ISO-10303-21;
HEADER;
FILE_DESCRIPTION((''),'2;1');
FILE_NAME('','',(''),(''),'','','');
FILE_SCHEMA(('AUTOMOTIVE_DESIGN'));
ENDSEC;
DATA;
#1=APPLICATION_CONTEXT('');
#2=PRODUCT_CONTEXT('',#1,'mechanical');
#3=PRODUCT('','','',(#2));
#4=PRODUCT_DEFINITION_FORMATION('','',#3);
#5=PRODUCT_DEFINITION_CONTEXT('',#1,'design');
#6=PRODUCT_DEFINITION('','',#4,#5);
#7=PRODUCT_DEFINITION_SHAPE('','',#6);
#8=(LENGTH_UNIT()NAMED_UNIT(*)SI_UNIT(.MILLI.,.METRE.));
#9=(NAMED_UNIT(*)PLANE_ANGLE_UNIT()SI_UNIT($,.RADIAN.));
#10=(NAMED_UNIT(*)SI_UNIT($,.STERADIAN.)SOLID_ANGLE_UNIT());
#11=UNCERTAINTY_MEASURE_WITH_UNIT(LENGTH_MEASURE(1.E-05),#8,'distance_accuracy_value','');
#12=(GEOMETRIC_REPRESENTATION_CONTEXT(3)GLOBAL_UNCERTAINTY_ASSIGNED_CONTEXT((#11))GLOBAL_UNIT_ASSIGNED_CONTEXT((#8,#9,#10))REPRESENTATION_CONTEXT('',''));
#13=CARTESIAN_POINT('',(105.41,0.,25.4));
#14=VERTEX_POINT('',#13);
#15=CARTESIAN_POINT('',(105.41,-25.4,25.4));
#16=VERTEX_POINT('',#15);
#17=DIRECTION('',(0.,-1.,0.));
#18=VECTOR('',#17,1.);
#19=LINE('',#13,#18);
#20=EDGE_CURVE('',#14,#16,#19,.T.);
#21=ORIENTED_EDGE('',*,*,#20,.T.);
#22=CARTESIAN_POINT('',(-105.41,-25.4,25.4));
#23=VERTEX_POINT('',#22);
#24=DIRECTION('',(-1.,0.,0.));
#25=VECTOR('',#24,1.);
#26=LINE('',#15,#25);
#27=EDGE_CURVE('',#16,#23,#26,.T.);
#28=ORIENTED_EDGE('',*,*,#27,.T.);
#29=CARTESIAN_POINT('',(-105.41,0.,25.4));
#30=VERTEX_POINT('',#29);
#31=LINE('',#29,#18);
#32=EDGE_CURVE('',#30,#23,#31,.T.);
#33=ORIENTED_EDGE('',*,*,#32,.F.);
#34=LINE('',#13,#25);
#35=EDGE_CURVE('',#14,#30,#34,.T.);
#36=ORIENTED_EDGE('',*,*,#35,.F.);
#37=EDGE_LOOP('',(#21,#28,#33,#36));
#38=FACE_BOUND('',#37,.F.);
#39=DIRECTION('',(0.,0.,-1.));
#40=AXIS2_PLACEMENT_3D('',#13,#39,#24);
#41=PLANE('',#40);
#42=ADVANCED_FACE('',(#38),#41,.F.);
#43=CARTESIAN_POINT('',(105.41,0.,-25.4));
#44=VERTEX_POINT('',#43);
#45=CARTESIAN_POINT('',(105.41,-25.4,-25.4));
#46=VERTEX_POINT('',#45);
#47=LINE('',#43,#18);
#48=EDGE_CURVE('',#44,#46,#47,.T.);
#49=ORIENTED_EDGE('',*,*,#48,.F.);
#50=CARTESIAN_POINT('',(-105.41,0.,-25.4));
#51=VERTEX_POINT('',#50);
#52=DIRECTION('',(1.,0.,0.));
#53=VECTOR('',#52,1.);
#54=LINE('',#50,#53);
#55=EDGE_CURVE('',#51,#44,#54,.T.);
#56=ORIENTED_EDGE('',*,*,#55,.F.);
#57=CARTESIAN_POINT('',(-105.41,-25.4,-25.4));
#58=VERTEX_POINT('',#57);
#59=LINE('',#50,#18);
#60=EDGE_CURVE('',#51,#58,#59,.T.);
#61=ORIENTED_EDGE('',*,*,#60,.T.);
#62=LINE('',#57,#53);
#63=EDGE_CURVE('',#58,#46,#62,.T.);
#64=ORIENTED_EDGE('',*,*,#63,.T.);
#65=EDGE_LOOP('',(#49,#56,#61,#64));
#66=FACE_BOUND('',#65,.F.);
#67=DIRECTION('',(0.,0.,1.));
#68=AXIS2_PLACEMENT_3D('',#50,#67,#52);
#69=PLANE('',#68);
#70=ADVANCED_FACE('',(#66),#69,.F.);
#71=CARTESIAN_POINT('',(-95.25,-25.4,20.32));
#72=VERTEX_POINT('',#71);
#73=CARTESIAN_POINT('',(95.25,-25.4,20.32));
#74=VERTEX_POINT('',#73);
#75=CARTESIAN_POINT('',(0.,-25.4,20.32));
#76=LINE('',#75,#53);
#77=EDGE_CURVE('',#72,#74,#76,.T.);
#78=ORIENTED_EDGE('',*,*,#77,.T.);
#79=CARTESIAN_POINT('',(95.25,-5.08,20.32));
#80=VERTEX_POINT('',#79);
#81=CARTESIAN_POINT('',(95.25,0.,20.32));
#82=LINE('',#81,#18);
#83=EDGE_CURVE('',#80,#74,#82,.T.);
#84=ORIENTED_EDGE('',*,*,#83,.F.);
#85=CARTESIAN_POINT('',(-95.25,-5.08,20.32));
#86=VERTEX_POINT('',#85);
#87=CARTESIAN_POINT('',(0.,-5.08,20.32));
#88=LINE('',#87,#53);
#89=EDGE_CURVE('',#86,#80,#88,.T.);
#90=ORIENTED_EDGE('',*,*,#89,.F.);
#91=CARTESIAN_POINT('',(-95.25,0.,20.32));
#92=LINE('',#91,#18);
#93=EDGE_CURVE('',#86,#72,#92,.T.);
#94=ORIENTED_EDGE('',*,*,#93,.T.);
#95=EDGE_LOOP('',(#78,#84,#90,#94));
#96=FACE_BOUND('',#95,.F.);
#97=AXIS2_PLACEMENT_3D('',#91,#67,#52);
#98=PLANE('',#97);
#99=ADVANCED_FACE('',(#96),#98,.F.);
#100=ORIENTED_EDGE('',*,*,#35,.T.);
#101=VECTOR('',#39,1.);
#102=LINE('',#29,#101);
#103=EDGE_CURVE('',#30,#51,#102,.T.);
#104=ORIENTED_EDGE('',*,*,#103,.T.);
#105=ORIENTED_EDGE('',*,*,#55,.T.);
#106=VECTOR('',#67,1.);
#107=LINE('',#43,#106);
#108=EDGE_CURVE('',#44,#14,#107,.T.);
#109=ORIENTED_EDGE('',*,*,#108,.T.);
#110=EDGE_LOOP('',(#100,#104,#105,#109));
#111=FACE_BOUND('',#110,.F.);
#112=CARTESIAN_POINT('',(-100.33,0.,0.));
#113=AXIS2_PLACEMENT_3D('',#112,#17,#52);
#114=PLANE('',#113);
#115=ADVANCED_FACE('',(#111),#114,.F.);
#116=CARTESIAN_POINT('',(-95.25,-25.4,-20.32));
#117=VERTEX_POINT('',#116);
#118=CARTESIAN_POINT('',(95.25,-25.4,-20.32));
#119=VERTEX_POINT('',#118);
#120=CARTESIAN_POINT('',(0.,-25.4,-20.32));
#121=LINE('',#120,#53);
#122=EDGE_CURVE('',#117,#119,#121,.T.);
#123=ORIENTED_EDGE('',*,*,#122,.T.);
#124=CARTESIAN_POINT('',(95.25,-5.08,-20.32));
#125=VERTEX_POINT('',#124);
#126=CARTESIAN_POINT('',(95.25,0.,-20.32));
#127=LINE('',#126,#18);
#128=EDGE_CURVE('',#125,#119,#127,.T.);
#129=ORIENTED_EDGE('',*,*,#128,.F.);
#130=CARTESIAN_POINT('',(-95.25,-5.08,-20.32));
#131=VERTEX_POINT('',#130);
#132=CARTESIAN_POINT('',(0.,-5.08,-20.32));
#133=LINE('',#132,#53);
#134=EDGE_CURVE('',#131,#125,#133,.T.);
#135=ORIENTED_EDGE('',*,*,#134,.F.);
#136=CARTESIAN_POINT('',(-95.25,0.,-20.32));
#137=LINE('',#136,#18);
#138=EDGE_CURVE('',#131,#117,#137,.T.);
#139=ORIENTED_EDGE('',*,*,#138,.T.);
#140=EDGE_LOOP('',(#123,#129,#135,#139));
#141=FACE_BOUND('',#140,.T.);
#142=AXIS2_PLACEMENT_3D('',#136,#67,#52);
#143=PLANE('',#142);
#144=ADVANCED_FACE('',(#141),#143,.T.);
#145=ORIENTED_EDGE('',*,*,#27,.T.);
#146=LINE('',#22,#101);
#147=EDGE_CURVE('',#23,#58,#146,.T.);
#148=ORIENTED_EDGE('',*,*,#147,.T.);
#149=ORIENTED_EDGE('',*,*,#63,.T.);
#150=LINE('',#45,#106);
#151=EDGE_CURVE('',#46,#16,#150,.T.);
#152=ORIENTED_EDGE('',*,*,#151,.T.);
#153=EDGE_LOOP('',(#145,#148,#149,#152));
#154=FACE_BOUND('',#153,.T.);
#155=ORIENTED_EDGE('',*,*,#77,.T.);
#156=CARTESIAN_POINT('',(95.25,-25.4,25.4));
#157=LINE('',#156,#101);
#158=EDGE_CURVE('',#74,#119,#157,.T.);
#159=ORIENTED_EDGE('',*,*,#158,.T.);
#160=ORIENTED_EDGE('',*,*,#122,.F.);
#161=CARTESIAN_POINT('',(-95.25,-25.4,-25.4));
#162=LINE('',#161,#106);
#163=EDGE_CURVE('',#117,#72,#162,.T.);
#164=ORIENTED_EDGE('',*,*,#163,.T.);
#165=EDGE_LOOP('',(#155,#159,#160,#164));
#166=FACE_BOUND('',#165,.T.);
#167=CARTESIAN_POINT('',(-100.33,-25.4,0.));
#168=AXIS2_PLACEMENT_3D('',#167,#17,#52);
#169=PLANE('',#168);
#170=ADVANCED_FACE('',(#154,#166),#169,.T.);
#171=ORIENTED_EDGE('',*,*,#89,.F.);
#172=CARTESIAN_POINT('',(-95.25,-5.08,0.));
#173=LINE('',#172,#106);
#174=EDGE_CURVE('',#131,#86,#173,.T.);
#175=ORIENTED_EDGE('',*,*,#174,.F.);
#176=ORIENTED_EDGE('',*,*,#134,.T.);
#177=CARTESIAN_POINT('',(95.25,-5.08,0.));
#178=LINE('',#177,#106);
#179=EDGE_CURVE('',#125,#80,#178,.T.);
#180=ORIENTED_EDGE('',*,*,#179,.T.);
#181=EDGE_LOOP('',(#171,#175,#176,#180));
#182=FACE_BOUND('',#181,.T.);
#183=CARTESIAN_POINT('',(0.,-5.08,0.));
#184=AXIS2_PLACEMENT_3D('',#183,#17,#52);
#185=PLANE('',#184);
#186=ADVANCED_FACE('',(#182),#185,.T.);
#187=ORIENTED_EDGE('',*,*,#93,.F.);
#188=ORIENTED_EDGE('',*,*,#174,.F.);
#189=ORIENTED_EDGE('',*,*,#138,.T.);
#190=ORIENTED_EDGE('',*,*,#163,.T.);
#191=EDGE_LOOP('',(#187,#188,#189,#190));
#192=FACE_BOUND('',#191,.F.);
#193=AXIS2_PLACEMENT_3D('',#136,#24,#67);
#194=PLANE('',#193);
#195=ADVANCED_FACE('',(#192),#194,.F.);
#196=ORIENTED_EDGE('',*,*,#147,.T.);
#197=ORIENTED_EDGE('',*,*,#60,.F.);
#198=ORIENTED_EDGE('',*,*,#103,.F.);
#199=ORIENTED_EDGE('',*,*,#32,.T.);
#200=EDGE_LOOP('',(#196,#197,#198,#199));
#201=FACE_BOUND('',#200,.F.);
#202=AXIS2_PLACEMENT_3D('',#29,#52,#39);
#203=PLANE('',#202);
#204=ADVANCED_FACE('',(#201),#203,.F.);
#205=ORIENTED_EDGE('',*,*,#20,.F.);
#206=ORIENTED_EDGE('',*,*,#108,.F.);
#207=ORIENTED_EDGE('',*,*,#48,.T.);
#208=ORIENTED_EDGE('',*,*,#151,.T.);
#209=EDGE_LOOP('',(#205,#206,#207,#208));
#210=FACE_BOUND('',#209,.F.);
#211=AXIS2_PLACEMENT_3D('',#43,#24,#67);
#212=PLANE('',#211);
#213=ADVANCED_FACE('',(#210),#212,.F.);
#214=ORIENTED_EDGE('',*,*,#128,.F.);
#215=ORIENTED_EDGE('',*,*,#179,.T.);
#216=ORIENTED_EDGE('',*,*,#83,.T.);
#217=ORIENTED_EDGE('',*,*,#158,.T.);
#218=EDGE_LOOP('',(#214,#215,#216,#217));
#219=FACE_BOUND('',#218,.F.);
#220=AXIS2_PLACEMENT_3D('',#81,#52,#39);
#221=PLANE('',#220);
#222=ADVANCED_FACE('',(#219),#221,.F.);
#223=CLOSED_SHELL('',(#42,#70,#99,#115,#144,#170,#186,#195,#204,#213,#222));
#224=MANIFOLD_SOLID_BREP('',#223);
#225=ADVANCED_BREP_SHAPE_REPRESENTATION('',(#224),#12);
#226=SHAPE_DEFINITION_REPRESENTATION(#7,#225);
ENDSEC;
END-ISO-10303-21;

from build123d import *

# Parameters (mm, degrees)
F0_W     = 190.5
F0_H     = 40.64
F1_DEPTH = 5.08
F0_H_2   = 5.08
F2_DEPTH = 25.4


with BuildPart() as f1:
    # F0 (on Front) → F1 (new body)
    with BuildSketch(Plane.XZ):
        Rectangle(F0_W, F0_H)
    extrude(amount=F1_DEPTH)

    # F0 (on Front) → F2 (join)
    with BuildSketch(Plane.XZ):
        Polygon((-95.25, -25.4), (-95.25, -20.32), (-95.25, 20.32), (-95.25, 25.4), (-105.41, 25.4), (-105.41, -25.4), align=None)
        Polygon((95.25, 20.32), (95.25, -20.32), (95.25, -25.4), (105.41, -25.4), (105.41, 25.4), (95.25, 25.4), align=None)
        with Locations((0, -22.86)):
            Rectangle(F0_W, F0_H_2)
        with Locations((0, 22.86)):
            Rectangle(F0_W, F0_H_2)
    extrude(amount=F2_DEPTH)


solid = f1.part
